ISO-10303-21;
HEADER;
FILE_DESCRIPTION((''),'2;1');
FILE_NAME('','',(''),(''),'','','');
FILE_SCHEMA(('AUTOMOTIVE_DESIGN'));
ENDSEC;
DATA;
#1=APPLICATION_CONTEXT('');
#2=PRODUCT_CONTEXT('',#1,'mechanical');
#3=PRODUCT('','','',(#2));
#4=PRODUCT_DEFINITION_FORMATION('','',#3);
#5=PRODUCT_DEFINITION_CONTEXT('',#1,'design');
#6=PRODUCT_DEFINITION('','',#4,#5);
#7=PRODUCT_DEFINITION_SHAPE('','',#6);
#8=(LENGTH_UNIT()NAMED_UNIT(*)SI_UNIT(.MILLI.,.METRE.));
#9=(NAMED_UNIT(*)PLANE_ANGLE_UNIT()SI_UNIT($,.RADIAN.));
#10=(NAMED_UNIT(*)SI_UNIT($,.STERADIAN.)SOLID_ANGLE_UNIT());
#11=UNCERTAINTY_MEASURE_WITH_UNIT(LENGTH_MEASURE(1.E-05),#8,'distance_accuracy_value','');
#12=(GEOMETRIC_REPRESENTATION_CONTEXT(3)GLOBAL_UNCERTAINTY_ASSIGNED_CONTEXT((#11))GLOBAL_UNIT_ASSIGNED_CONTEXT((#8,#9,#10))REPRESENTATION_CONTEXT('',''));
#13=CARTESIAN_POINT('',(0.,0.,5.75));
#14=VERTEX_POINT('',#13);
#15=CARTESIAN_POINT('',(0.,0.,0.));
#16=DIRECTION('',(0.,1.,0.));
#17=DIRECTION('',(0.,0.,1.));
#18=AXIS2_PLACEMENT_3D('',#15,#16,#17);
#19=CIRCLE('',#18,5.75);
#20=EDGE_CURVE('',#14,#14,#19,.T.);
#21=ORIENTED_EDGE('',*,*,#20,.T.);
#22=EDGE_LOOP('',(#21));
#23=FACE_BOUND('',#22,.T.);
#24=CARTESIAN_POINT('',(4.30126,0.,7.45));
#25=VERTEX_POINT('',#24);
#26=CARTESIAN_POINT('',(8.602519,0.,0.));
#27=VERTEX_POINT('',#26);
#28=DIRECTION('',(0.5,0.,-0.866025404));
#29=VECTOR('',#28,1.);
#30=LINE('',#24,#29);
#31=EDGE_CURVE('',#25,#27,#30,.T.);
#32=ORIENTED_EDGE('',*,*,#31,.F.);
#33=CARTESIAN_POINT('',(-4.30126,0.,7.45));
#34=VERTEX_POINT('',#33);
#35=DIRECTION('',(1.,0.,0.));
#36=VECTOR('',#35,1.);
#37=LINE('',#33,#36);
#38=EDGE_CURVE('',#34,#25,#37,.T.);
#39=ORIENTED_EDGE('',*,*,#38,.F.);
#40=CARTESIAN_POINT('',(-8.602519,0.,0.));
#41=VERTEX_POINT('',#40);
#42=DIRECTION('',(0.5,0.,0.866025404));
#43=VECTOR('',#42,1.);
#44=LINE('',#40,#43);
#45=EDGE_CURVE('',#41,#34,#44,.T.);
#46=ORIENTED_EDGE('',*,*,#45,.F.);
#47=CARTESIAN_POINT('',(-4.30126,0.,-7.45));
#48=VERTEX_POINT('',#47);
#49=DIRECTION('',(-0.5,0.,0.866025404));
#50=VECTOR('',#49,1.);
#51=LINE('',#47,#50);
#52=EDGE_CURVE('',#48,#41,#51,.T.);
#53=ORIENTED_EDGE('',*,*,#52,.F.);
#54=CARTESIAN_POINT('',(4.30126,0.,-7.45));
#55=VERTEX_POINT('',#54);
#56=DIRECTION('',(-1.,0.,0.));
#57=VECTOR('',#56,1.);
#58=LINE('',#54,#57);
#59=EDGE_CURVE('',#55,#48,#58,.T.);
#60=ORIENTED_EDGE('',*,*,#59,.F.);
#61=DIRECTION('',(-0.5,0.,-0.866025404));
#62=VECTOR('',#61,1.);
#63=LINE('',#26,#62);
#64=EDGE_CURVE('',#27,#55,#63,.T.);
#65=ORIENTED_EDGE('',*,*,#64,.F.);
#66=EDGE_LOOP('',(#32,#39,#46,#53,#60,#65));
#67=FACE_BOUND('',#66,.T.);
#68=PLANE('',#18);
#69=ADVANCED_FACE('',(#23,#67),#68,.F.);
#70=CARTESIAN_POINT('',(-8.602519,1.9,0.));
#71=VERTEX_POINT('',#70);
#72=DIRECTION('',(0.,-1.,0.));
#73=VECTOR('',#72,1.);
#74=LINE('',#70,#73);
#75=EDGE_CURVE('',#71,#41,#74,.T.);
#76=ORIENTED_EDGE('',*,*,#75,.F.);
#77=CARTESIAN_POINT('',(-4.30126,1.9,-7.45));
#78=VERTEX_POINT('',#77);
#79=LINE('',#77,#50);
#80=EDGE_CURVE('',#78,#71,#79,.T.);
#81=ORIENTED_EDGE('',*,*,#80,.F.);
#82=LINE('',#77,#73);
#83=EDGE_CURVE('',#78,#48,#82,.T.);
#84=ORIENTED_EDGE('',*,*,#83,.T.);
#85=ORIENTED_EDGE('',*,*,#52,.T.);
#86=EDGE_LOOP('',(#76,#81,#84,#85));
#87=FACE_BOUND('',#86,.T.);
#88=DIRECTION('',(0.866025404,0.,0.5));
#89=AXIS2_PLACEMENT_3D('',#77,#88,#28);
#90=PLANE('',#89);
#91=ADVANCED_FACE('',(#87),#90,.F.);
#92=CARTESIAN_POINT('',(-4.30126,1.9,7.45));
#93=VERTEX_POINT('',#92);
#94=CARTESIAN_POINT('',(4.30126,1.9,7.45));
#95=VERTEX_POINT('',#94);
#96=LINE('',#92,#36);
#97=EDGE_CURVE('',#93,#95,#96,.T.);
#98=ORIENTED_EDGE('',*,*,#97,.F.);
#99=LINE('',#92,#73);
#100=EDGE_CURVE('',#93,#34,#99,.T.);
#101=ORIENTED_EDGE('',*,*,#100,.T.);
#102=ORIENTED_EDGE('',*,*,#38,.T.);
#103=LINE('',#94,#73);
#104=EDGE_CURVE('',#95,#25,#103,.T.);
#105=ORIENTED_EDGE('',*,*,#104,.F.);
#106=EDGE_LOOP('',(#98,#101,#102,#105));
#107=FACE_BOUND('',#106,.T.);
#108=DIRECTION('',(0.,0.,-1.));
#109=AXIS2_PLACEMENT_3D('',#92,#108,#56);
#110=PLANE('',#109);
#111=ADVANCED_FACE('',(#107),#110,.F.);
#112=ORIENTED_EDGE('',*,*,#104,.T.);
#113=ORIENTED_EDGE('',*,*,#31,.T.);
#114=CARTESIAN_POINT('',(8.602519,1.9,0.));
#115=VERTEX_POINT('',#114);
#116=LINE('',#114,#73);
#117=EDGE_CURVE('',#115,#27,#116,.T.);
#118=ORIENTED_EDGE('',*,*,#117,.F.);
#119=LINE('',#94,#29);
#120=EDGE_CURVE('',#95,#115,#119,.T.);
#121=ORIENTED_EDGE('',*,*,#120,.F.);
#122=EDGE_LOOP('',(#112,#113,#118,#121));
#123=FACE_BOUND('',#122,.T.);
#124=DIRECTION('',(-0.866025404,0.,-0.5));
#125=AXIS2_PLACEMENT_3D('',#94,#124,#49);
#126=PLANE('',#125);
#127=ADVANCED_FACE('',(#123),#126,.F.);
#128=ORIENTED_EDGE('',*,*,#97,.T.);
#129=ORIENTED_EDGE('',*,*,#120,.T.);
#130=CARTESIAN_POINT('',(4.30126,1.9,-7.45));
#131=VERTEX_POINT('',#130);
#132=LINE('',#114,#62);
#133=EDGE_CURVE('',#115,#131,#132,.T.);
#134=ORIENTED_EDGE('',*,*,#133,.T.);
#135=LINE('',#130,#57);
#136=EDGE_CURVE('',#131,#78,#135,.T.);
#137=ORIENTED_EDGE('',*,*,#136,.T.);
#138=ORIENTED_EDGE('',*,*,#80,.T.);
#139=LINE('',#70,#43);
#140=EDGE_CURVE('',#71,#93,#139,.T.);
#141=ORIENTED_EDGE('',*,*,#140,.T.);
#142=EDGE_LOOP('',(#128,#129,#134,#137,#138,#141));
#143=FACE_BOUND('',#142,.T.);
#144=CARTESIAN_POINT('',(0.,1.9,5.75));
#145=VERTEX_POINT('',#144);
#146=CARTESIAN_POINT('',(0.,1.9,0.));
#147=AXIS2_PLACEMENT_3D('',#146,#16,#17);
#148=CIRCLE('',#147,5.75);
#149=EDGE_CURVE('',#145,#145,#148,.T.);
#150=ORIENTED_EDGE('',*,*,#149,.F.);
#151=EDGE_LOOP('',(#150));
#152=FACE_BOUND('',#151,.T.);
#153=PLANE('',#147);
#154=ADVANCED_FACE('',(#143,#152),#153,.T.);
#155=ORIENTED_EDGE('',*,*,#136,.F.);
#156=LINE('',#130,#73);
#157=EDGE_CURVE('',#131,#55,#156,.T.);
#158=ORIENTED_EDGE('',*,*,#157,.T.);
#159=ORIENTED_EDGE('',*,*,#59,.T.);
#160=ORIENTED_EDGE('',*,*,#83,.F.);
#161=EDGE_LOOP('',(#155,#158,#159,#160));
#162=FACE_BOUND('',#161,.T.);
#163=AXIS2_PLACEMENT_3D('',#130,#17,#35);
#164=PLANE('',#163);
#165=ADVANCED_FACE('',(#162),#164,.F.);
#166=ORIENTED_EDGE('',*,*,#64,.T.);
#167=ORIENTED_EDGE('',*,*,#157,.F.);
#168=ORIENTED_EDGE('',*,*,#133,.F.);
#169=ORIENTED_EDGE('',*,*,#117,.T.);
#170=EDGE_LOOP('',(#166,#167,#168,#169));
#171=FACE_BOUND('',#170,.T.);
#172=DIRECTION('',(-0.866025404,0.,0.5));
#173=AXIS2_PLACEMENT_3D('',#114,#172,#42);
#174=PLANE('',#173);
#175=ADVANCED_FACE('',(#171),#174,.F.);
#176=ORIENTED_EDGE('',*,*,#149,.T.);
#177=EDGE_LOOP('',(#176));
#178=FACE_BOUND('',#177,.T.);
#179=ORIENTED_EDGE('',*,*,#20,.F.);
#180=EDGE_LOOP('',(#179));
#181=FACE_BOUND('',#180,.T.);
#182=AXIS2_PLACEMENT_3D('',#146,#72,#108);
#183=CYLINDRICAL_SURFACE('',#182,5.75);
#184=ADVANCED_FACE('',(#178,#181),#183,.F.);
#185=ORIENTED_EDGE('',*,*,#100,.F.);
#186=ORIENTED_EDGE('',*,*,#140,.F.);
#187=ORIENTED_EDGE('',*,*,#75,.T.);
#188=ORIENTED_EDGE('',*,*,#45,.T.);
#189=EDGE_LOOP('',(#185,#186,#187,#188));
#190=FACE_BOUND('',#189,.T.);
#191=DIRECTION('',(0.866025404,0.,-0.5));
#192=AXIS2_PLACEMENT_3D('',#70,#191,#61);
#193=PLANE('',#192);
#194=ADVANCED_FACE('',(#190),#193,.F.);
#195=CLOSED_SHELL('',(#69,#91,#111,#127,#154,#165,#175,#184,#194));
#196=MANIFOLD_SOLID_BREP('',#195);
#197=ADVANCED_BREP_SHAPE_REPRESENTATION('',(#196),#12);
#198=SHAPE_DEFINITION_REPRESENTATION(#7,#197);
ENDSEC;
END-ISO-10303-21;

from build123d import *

# Parameters (mm, degrees)
SKETCH1_R           = 5.75
BOSS_EXTRUDE1_DEPTH = 1.9


with BuildPart() as part:
    # Sketch1 → Boss-Extrude1 (new body)
    with BuildSketch(Plane(origin=(0, 0, 0), x_dir=(1, 0, 0), z_dir=(0, 1, 0))):
        Polygon((-8.602519011, 0), (-4.301259505, -7.45), (4.301259505, -7.45), (8.602519011, 0), (4.301259505, 7.45), (-4.301259505, 7.45), align=None)
        Circle(SKETCH1_R, mode=Mode.SUBTRACT)
    extrude(amount=BOSS_EXTRUDE1_DEPTH)


solid = part.part
